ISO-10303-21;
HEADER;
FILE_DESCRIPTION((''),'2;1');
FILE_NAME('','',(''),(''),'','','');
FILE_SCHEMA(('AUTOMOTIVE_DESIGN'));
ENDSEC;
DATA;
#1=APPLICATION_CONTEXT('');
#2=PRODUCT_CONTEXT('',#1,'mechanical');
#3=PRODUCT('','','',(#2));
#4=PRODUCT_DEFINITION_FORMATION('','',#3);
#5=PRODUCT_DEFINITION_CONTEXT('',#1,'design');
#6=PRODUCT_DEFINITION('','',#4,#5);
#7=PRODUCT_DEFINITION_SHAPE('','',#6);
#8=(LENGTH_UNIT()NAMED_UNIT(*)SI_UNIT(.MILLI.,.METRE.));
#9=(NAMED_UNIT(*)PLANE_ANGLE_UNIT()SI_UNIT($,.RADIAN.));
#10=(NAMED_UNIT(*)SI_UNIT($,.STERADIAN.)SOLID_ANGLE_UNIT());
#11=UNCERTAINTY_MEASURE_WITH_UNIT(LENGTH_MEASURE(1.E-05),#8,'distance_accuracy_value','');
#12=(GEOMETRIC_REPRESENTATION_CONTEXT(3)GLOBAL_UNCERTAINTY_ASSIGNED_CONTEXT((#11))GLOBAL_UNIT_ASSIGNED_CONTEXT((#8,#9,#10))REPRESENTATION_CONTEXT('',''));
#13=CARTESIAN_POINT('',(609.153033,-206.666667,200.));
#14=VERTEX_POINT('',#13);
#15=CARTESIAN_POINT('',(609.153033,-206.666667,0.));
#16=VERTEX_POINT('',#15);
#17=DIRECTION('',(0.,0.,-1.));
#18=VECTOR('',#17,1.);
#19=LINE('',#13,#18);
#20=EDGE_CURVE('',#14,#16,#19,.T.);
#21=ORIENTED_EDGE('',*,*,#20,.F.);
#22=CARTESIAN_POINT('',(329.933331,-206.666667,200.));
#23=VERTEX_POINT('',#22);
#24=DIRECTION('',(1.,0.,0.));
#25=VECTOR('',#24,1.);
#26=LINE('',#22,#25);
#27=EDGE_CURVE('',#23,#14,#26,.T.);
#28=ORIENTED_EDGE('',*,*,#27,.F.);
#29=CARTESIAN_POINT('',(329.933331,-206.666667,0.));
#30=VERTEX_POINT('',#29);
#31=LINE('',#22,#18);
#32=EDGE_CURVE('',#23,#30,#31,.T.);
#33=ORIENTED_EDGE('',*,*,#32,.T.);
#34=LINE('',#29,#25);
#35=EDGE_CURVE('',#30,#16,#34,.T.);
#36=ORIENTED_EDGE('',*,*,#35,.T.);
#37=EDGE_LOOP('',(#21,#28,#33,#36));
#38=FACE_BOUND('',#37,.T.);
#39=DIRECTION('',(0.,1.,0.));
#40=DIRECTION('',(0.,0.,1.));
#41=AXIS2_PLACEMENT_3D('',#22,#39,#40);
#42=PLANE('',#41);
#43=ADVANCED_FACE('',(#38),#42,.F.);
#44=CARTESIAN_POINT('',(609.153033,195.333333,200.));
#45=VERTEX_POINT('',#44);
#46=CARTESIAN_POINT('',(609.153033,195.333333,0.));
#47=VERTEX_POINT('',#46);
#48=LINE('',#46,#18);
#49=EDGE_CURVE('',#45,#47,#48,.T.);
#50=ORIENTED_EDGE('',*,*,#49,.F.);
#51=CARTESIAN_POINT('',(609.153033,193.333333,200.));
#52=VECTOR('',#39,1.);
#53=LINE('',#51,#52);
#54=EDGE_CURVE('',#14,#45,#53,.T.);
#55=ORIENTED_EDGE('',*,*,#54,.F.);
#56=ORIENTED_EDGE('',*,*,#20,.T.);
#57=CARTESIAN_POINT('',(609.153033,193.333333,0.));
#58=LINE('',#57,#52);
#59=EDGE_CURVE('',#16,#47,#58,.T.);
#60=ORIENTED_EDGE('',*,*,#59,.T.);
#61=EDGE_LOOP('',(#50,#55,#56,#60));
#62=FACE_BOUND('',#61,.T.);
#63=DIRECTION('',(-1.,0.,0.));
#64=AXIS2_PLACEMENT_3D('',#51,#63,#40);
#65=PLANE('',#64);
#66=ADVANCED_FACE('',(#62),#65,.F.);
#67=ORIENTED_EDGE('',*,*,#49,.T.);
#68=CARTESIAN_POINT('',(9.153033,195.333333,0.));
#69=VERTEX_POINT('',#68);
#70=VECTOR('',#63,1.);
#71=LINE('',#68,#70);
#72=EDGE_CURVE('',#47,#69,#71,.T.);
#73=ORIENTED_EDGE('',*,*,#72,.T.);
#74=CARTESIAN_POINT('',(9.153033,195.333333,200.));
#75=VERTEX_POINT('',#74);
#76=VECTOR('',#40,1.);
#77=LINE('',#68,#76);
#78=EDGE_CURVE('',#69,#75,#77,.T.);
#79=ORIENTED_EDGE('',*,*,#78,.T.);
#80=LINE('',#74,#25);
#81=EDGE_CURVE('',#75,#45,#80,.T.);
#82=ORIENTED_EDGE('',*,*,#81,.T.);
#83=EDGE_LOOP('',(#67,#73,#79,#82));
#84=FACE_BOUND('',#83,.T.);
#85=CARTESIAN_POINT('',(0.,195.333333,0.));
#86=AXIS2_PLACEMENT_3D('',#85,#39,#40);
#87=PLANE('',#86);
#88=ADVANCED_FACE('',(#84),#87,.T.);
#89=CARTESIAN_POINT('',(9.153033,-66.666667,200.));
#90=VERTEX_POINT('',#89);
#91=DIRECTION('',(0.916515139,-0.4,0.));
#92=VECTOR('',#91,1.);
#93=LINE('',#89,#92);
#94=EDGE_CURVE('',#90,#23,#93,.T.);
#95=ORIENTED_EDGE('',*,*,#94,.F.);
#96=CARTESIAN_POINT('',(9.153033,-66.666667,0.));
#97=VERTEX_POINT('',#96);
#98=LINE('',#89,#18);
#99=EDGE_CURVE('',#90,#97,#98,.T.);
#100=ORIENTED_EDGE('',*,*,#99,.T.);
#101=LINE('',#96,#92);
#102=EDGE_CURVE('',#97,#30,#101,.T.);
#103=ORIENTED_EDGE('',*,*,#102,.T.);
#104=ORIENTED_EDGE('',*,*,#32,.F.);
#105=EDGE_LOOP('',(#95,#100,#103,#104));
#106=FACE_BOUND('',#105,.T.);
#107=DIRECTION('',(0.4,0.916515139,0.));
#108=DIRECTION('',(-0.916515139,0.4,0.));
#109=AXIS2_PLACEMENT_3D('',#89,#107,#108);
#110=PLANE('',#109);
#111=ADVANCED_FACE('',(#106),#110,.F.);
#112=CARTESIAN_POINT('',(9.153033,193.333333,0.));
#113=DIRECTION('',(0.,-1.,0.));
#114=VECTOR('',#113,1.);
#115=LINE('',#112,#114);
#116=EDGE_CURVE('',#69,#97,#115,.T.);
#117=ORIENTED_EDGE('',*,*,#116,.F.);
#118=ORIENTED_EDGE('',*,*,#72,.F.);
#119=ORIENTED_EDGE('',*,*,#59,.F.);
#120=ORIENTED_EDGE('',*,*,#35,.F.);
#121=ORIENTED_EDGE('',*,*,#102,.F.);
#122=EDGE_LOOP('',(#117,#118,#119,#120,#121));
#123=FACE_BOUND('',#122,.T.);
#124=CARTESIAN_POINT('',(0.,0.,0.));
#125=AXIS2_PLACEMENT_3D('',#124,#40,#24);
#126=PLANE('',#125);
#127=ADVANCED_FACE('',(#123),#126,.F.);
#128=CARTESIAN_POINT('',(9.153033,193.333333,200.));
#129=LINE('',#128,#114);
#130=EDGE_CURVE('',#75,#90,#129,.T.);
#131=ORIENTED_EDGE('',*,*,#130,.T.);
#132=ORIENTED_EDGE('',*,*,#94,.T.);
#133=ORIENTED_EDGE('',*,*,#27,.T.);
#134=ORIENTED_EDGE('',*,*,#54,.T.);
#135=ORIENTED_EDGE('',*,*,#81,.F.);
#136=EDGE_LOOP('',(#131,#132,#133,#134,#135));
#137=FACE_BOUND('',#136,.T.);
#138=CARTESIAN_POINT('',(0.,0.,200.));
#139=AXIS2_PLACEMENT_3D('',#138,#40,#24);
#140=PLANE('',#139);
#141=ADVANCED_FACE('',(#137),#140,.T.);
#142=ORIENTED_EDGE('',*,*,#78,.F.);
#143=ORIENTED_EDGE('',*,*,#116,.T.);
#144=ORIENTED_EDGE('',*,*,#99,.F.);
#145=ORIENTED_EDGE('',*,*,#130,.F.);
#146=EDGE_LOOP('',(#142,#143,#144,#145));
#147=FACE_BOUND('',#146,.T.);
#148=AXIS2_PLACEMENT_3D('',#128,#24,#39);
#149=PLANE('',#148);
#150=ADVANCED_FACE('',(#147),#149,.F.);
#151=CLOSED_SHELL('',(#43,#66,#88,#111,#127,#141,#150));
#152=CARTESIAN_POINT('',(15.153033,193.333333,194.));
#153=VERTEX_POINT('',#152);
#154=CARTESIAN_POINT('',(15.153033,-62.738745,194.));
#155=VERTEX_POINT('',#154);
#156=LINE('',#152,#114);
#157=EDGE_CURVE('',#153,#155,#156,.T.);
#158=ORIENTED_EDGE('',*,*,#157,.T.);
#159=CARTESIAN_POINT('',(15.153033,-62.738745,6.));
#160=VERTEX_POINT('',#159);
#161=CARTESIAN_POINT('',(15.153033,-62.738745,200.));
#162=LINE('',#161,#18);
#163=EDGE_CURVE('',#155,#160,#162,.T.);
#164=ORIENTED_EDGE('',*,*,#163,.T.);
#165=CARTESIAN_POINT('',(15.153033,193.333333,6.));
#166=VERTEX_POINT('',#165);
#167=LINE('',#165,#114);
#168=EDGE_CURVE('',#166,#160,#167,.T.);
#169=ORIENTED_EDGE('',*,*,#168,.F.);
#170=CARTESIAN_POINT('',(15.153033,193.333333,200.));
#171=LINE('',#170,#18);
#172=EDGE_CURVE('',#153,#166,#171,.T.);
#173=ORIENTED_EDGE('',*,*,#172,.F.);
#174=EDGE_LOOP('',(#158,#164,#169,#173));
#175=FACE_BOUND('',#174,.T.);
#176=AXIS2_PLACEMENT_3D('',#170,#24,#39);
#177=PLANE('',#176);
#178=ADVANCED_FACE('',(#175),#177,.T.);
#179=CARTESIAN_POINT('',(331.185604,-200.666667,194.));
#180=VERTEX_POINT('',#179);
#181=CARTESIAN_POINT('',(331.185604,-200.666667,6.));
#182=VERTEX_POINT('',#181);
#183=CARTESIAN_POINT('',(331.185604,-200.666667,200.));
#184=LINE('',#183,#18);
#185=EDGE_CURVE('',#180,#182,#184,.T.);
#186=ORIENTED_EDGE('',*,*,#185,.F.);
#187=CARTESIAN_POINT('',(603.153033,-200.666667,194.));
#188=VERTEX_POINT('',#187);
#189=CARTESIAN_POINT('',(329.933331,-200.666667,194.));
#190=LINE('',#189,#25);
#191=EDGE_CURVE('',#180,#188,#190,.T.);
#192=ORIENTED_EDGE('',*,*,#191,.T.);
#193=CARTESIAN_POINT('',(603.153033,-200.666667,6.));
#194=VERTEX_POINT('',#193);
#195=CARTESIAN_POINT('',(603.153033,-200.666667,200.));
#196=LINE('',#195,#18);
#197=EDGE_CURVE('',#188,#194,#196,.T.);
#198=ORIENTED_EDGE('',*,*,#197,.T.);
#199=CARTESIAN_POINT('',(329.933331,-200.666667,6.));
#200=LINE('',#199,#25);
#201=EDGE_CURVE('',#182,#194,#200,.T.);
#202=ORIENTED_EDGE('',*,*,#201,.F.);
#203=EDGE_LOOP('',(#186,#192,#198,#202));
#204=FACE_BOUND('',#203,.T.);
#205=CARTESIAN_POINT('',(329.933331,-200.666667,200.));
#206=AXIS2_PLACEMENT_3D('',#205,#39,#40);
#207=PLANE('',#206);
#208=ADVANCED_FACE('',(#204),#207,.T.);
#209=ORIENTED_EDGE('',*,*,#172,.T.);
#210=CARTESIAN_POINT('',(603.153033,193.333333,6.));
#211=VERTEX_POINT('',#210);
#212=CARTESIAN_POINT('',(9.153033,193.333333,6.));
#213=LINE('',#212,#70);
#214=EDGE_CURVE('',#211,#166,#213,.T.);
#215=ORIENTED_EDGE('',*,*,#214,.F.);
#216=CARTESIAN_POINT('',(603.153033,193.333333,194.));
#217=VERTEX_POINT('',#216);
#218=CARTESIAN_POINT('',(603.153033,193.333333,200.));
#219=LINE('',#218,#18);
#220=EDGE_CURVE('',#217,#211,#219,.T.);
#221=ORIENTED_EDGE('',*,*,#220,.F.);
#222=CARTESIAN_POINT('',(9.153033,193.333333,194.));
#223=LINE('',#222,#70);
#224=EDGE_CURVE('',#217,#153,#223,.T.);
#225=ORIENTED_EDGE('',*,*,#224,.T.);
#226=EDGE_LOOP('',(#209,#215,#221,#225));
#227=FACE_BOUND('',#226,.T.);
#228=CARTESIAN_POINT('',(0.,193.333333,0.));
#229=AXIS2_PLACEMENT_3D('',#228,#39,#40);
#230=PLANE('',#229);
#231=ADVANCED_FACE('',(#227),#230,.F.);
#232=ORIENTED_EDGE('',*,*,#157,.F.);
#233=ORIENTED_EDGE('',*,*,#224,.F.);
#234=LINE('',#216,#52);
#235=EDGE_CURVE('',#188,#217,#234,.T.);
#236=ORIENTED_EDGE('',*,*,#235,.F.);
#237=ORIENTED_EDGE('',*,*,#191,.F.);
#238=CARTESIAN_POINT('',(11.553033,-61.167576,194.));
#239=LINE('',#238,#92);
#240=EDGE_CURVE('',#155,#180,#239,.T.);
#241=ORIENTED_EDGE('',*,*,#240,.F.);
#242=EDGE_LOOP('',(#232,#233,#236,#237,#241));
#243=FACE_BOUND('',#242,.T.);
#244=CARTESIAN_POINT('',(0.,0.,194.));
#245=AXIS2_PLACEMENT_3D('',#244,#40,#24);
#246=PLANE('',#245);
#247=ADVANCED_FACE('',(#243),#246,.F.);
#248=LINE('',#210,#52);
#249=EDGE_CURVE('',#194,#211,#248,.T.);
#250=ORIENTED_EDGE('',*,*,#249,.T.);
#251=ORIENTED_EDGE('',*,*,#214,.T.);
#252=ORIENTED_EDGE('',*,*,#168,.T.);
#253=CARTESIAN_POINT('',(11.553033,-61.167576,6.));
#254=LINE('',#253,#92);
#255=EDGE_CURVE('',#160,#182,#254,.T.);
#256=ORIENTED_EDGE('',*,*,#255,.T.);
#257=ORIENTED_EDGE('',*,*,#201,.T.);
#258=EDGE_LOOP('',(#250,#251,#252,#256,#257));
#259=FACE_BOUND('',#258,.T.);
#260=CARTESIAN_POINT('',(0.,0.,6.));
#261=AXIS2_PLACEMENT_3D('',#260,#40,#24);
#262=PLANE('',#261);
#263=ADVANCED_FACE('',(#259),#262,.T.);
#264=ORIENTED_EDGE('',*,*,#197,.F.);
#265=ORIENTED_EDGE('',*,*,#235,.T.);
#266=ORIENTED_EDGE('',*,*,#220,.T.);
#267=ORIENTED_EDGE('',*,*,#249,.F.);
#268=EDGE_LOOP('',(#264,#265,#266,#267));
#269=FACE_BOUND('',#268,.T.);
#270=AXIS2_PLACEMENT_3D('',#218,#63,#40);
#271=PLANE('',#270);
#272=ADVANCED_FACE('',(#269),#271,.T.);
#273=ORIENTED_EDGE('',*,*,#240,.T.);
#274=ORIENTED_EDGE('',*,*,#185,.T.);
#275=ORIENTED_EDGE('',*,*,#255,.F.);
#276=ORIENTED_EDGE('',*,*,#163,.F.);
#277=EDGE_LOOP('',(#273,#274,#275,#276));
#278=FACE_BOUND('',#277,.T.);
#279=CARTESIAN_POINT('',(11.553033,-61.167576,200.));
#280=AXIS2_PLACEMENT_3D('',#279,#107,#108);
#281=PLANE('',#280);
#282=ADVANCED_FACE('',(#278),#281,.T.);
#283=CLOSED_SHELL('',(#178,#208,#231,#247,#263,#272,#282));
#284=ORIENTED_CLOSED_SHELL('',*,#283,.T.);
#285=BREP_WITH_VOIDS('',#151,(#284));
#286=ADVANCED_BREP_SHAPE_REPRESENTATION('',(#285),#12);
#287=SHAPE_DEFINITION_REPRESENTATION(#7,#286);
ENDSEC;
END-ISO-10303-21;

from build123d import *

# Parameters (mm, degrees)
BOSS_EXTRUDE1_DEPTH = 200
SHELL1_T            = -6
SKETCH4_W           = 600
SKETCH4_H           = 200
BOSS_EXTRUDE2_DEPTH = 2


with BuildPart() as part:
    # Sketch3 → Boss-Extrude1 (new body)
    with BuildSketch(Plane.XY):
        Polygon((9.153032832, -66.666666667), (329.933331479, -206.666666667), (609.153032832, -206.666666667), (609.153032832, 193.333333333), (9.153032832, 193.333333333), align=None)
    extrude(amount=BOSS_EXTRUDE1_DEPTH)

    # Shell1
    shell1_openings = [part.faces().sort_by_distance(p)[0] for p in [
        (309.153032832, 193.333333333, 100),
    ]]
    offset(amount=SHELL1_T, openings=shell1_openings, kind=Kind.INTERSECTION)

    # Sketch4 → Boss-Extrude2 (add)
    with BuildSketch(Plane(origin=(0, 193.333333333, 0), x_dir=(1, 0, 0), z_dir=(0, 1, 0))):
        with Locations((309.153032832, -100)):
            Rectangle(SKETCH4_W, SKETCH4_H)
    extrude(amount=BOSS_EXTRUDE2_DEPTH)


solid = part.part
